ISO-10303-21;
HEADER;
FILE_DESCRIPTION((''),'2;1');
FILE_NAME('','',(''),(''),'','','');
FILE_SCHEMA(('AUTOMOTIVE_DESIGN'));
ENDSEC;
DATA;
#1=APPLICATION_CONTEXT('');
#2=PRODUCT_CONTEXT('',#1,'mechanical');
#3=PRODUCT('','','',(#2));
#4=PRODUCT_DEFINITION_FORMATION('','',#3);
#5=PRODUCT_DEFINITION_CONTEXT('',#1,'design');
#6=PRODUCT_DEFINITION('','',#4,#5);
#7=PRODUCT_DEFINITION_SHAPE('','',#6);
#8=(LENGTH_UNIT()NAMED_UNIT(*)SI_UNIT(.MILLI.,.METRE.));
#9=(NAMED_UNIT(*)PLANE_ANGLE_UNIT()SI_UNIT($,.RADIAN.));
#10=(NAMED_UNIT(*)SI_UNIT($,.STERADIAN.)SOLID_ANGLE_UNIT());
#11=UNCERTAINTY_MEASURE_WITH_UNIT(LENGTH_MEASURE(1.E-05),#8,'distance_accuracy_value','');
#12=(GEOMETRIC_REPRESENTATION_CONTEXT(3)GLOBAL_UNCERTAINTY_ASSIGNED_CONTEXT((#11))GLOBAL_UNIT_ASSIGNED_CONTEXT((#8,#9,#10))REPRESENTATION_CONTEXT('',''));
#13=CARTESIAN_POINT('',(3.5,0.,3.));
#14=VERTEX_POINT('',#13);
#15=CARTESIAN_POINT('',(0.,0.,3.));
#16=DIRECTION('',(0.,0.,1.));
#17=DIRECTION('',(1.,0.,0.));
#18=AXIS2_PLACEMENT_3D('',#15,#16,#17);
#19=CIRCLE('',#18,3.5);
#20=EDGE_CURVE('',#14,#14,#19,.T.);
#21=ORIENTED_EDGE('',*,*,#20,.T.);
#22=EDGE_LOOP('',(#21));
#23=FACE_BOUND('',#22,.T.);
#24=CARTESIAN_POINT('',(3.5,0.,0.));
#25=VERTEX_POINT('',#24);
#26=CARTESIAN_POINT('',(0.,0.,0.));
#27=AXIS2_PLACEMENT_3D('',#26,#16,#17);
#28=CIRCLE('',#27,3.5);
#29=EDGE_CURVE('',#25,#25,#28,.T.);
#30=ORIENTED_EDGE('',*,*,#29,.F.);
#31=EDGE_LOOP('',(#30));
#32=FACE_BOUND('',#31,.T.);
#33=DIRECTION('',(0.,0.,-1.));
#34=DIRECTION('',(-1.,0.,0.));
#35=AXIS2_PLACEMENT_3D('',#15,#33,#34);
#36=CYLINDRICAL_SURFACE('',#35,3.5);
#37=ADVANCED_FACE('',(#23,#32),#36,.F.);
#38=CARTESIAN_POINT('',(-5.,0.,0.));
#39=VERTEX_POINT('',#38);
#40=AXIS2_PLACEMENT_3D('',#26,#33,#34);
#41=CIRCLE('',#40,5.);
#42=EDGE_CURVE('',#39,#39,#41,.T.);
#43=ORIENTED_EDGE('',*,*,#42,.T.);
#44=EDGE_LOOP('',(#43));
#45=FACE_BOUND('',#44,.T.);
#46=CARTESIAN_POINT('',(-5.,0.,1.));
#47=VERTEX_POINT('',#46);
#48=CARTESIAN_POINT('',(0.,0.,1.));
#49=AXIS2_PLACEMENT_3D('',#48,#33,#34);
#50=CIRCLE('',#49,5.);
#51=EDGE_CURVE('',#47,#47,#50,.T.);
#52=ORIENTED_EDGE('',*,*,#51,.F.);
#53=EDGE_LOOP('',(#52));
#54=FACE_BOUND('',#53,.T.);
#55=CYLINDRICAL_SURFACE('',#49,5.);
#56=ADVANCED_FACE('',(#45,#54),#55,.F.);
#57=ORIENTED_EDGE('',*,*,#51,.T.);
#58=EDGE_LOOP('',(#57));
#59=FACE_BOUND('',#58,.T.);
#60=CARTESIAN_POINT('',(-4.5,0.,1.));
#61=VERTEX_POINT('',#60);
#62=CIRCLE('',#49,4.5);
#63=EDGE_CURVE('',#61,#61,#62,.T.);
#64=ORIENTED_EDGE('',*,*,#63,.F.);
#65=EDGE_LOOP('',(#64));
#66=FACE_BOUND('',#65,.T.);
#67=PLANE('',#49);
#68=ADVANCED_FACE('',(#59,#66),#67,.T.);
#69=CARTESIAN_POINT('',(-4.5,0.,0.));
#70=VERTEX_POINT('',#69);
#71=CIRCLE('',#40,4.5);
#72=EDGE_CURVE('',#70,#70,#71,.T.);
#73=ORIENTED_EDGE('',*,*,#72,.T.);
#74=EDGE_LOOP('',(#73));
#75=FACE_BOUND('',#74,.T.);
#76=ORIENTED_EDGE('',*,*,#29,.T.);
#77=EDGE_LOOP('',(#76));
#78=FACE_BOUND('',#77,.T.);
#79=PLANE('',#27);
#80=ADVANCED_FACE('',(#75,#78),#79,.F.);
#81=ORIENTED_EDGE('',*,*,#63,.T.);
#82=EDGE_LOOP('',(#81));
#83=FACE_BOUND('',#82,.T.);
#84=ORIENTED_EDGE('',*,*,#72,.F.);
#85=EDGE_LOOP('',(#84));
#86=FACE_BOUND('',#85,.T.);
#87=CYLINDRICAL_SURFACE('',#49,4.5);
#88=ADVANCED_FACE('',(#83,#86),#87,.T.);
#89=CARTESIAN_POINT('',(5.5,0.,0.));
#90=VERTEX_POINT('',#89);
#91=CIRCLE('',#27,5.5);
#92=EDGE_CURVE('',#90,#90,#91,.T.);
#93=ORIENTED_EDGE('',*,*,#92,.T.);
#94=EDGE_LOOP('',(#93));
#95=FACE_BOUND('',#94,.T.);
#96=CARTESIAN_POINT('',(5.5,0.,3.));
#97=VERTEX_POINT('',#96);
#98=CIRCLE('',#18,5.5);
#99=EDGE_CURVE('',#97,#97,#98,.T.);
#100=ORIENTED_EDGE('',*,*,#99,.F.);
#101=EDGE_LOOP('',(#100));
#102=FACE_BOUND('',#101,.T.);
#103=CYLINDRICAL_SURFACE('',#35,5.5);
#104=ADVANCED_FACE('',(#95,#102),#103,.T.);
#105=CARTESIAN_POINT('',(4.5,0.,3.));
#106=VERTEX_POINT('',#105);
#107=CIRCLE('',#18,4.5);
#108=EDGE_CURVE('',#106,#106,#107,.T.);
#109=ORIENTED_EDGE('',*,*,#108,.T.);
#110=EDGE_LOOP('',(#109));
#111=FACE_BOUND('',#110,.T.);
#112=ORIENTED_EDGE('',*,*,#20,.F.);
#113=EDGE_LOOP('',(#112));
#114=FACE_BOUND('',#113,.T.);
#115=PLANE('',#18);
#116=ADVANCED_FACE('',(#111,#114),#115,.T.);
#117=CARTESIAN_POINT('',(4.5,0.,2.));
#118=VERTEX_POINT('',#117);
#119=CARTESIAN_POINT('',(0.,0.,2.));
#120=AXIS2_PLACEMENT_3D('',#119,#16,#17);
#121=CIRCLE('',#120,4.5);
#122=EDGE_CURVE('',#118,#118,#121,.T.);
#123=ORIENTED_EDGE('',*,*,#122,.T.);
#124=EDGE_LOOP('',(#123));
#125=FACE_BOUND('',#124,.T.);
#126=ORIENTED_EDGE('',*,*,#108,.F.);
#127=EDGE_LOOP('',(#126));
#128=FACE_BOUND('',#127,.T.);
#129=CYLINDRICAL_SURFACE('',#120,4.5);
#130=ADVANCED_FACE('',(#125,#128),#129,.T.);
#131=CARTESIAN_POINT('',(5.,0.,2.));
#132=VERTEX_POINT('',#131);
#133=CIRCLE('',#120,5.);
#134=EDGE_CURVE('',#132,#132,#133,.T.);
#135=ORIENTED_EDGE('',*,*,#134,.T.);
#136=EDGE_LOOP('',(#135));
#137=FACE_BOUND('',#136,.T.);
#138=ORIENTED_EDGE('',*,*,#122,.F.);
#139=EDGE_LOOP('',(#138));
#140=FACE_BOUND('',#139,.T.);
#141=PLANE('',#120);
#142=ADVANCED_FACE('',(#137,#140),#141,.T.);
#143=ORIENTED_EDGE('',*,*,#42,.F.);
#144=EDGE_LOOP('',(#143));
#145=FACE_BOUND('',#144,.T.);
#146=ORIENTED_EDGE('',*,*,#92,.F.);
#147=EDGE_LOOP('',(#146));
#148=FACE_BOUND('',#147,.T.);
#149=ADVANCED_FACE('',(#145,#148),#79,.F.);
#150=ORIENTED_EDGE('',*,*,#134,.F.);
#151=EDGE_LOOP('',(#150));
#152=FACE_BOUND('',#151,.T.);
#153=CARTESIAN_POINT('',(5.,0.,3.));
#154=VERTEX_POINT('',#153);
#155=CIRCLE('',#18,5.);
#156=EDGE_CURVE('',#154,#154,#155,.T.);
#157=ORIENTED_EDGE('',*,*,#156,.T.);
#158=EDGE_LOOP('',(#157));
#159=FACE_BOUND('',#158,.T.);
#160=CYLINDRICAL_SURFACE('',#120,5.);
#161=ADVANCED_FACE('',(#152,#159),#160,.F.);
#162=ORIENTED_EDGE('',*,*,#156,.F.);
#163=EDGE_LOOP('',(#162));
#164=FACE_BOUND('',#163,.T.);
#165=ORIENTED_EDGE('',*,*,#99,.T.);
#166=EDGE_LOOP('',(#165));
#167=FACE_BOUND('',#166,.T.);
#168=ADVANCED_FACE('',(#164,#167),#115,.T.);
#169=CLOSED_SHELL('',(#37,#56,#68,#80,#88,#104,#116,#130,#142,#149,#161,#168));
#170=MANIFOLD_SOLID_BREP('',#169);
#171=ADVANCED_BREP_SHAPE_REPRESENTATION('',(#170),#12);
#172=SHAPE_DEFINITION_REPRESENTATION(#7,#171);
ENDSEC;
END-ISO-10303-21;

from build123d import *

# Parameters (mm, degrees)
SKETCH_1_R          = 5.5
SKETCH_1_R_2        = 3.5
EXTRUDE_1_DEPTH     = 3
SKETCH_2_R          = 5
SKETCH_2_R_2        = 4.5
CUT_EXTRUDE_1_DEPTH = 1
SKETCH_3_R          = 5
SKETCH_3_R_2        = 4.5
CUT_EXTRUDE_2_DEPTH = 1


with BuildPart() as part:
    # 草图1 → 凸台-拉伸1 (new body)
    with BuildSketch(Plane.XY):
        Circle(SKETCH_1_R)
        Circle(SKETCH_1_R_2, mode=Mode.SUBTRACT)
    extrude(amount=EXTRUDE_1_DEPTH)

    # 草图2 → 切除-拉伸1 (cut)
    with BuildSketch(Plane.XY.offset(3)):
        Circle(SKETCH_2_R)
        Circle(SKETCH_2_R_2, mode=Mode.SUBTRACT)
    extrude(amount=-CUT_EXTRUDE_1_DEPTH, mode=Mode.SUBTRACT)

    # 草图3 → 切除-拉伸2 (cut)
    with BuildSketch(Plane(origin=(0, 0, 0), x_dir=(-1, 0, 0), z_dir=(0, 0, -1))):
        Circle(SKETCH_3_R)
        Circle(SKETCH_3_R_2, mode=Mode.SUBTRACT)
    extrude(amount=-CUT_EXTRUDE_2_DEPTH, mode=Mode.SUBTRACT)


solid = part.part
